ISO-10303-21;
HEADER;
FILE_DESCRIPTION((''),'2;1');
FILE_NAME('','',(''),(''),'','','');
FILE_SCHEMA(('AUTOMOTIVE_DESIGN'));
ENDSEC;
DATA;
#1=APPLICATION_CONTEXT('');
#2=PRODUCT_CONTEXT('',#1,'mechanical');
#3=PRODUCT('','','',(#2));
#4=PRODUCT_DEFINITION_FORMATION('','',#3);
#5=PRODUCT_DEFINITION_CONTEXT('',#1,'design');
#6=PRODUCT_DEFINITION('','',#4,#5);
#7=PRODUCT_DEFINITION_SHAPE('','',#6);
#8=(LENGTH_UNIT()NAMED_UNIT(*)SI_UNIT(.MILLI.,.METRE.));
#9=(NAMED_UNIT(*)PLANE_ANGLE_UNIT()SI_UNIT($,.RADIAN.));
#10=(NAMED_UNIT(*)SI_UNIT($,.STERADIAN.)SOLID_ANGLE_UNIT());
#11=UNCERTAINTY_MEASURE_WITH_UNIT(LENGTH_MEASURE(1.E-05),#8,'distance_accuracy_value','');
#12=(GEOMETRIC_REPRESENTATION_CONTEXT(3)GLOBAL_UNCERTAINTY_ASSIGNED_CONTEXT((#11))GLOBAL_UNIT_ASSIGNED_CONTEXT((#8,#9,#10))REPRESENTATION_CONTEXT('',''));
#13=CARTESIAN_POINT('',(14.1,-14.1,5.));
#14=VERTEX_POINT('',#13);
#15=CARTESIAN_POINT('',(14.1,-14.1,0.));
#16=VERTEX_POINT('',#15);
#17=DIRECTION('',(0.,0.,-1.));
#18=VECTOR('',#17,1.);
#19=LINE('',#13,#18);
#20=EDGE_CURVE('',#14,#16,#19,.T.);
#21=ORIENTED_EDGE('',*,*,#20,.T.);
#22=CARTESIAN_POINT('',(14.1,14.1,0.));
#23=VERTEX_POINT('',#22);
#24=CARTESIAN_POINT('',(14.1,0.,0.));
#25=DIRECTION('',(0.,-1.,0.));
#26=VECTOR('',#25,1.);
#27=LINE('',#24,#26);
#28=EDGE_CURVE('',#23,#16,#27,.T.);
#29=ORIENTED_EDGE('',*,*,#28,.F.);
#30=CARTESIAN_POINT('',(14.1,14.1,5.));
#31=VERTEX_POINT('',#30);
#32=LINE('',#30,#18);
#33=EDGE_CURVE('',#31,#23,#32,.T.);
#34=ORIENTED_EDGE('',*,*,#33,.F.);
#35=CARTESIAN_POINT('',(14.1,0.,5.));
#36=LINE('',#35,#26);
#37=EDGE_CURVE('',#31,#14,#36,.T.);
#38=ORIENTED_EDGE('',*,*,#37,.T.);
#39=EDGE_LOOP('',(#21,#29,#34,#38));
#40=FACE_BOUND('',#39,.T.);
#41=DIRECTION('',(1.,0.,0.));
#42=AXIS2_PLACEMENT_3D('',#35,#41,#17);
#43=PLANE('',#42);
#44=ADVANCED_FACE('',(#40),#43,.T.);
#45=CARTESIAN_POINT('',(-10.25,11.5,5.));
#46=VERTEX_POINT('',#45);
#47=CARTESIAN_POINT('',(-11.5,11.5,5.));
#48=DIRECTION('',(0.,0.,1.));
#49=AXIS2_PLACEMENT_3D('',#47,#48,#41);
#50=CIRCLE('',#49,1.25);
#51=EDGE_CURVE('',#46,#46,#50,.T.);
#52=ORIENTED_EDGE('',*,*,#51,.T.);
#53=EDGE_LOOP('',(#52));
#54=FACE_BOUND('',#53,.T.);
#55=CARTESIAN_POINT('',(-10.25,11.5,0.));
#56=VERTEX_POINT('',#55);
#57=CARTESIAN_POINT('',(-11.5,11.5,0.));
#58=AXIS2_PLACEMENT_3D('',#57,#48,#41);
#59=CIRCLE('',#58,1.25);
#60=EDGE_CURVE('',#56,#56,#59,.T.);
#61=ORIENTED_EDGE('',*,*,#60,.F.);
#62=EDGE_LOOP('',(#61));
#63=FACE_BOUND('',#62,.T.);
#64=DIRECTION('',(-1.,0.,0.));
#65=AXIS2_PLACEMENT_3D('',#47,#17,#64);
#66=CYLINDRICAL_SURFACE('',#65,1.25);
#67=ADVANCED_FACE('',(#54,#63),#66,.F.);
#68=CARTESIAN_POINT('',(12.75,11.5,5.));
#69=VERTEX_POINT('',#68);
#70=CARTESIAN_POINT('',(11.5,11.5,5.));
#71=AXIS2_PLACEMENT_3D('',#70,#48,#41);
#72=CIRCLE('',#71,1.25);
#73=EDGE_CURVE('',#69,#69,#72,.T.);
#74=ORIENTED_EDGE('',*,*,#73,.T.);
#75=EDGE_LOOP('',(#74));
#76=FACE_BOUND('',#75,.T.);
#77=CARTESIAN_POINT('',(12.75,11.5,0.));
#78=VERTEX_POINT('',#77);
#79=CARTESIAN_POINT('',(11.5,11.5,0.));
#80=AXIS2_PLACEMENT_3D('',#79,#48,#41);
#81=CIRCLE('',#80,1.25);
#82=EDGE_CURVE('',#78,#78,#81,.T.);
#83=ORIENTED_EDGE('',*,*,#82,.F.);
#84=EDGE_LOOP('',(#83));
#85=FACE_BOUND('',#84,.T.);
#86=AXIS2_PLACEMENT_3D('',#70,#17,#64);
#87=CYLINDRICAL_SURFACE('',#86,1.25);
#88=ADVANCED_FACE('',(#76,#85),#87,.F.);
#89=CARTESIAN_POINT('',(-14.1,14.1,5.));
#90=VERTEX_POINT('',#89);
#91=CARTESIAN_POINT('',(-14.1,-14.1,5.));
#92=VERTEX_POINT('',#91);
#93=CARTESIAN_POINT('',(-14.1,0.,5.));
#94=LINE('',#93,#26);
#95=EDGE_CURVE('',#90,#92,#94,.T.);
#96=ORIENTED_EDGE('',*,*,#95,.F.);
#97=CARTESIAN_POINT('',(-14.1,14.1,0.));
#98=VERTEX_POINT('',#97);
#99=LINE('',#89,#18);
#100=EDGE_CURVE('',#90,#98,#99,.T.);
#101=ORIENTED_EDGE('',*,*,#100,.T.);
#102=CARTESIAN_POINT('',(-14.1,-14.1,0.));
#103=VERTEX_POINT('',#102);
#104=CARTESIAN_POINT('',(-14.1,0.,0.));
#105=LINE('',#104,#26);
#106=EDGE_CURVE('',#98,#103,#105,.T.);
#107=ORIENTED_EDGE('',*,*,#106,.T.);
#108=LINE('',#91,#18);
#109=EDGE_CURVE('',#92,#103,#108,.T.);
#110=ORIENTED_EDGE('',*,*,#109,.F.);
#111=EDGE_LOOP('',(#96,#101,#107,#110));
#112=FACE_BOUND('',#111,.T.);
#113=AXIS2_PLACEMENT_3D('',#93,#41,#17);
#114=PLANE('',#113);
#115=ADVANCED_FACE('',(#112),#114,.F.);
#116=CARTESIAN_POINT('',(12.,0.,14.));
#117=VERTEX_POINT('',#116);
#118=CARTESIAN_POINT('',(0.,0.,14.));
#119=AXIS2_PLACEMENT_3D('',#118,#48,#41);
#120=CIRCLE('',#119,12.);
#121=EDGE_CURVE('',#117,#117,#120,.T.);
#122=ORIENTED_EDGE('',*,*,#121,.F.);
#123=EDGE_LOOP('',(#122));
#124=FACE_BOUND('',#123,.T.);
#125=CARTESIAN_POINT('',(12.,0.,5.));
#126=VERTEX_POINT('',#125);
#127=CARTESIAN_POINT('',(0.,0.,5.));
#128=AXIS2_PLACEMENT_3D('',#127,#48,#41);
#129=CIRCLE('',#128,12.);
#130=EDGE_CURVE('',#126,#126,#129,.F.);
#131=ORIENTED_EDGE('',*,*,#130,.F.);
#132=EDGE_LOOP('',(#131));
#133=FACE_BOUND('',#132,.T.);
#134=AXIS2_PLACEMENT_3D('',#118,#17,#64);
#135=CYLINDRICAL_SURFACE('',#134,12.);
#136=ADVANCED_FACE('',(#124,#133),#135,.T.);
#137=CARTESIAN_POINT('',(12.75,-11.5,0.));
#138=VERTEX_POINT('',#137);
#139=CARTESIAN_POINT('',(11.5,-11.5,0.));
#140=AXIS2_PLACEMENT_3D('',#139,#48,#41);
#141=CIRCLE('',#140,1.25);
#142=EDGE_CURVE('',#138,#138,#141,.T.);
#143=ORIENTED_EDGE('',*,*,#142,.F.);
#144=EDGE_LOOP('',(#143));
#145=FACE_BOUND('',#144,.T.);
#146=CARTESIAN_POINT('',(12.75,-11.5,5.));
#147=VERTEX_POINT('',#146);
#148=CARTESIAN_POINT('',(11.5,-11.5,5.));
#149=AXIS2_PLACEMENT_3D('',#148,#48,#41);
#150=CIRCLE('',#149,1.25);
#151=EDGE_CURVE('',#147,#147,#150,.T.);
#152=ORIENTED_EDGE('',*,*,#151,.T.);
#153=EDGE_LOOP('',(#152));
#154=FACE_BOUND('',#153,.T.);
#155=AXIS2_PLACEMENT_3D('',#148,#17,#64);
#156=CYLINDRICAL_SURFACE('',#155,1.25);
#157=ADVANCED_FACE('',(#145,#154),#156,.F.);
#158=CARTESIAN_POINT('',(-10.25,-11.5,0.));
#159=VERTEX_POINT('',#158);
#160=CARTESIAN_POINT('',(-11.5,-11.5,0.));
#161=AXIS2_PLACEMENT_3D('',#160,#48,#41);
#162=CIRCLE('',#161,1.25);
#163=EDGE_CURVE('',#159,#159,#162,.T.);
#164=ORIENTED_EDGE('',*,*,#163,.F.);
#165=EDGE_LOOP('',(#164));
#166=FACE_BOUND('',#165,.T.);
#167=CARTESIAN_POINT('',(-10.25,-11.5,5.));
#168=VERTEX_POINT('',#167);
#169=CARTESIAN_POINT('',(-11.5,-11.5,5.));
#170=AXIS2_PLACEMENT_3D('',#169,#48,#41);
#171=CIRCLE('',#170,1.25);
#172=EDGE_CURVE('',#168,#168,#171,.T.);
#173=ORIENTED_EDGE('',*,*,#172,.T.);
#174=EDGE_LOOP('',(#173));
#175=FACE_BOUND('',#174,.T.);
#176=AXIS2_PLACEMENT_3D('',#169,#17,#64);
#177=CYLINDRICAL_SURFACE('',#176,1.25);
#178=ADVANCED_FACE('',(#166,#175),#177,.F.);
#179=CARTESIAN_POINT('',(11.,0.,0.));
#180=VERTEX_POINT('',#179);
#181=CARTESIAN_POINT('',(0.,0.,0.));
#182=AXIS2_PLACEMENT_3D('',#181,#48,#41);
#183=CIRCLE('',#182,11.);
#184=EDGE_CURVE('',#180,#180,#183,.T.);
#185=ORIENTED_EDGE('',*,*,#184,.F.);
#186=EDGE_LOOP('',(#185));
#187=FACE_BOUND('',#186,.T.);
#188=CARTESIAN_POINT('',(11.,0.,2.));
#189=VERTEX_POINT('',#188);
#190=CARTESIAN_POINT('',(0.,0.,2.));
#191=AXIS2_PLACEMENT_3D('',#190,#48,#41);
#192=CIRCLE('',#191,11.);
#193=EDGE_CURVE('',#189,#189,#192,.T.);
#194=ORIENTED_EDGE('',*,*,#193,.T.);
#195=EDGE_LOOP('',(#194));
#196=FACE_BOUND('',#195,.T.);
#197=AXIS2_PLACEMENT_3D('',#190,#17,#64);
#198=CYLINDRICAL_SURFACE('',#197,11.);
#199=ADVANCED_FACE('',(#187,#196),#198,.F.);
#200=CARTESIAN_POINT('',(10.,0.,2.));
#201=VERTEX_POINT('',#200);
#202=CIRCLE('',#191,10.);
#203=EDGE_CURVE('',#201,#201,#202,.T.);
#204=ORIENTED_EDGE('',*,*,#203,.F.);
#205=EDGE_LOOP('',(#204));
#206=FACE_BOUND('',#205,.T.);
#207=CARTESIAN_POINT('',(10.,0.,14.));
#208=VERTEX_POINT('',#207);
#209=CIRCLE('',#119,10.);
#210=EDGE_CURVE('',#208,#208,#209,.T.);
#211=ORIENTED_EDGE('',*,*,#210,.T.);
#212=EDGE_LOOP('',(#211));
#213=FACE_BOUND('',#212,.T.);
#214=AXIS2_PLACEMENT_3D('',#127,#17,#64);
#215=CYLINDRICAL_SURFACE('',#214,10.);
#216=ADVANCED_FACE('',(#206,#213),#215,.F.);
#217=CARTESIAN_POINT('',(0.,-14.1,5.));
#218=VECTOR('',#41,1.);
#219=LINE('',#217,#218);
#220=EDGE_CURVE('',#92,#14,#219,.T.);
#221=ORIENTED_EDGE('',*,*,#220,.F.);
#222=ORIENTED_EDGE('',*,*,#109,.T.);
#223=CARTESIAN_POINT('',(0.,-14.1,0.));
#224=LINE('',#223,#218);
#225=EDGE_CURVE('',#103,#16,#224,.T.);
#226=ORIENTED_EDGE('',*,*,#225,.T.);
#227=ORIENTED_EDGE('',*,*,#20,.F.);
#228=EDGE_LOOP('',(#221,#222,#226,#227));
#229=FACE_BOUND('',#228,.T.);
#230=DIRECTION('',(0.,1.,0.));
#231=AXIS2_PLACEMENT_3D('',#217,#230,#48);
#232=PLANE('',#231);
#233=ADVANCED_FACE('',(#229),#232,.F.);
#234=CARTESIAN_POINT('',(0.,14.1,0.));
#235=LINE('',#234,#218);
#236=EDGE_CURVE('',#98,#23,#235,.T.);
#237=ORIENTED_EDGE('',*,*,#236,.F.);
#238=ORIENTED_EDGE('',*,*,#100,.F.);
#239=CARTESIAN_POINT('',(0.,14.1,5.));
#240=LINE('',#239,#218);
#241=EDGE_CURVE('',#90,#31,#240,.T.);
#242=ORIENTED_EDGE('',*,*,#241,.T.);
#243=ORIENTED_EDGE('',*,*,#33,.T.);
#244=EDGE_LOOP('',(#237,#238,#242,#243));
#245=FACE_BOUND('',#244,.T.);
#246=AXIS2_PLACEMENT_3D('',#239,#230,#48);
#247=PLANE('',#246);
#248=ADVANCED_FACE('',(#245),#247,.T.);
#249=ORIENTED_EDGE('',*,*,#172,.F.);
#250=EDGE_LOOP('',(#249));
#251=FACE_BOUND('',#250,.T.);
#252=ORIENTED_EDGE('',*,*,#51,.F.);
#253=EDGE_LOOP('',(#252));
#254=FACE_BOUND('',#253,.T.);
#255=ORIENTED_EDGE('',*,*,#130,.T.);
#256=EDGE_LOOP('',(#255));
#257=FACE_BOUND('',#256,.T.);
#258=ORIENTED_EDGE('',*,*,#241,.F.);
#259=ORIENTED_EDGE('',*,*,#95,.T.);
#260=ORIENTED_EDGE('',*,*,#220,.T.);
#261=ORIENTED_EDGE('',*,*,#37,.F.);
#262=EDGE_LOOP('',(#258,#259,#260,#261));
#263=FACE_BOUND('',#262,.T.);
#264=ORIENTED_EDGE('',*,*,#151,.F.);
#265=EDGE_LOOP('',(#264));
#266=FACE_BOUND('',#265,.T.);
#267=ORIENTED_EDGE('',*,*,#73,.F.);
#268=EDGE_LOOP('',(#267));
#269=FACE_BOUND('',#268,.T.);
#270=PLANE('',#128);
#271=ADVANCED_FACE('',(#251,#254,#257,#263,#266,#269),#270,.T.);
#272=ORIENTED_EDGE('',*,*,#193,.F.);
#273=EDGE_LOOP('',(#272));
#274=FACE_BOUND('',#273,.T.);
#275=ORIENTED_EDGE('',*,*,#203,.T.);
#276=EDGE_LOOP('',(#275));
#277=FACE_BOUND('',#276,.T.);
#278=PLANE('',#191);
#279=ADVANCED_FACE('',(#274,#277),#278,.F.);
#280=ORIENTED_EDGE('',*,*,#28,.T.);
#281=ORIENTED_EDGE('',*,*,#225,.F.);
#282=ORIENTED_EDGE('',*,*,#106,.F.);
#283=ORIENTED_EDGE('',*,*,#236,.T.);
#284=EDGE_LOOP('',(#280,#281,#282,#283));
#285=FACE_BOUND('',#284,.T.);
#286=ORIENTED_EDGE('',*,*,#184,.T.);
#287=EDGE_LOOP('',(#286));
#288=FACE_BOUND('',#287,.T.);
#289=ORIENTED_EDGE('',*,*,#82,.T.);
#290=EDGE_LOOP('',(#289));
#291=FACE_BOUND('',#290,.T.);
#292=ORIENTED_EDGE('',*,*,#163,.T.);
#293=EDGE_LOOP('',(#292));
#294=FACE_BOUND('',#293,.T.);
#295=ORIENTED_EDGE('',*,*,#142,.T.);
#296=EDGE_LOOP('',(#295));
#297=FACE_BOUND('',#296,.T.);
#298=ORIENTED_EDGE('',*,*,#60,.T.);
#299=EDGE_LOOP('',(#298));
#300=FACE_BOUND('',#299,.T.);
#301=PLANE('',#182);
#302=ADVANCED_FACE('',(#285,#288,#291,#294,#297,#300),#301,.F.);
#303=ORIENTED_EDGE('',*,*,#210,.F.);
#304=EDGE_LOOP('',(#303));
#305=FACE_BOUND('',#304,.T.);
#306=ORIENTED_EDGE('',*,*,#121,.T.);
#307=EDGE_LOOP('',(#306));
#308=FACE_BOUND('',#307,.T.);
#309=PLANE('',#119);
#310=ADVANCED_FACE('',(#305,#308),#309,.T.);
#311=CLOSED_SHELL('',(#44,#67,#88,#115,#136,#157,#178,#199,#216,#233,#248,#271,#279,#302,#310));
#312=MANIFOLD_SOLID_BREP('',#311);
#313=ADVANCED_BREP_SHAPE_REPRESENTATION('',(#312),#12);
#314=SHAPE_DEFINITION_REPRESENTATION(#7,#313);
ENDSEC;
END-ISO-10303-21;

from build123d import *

# Parameters (mm, degrees)
SKETCH1_W           = 28.2
SKETCH1_H           = 28.2
SKETCH1_R           = 1.25
SKETCH1_R_2         = 10
BOSS_EXTRUDE1_DEPTH = 5
SKETCH1_3_R         = 12
SKETCH1_3_R_2       = 10
BOSS_EXTRUDE2_DEPTH = 14
SKETCH1_4_R         = 11
SKETCH1_4_R_2       = 10
CUT_EXTRUDE1_DEPTH  = 2


with BuildPart() as part:
    # Sketch1 → Boss-Extrude1 (new body)
    with BuildSketch(Plane.XY):
        Rectangle(SKETCH1_W, SKETCH1_H)
        with Locations((-11.5, -11.5)):
            Circle(SKETCH1_R, mode=Mode.SUBTRACT)
        with Locations((11.5, -11.5)):
            Circle(SKETCH1_R, mode=Mode.SUBTRACT)
        with Locations((-11.5, 11.5)):
            Circle(SKETCH1_R, mode=Mode.SUBTRACT)
        with Locations((11.5, 11.5)):
            Circle(SKETCH1_R, mode=Mode.SUBTRACT)
        Circle(SKETCH1_R_2, mode=Mode.SUBTRACT)
    extrude(amount=BOSS_EXTRUDE1_DEPTH)

    # Sketch1<3> → Boss-Extrude2 (add)
    with BuildSketch(Plane.XY):
        Circle(SKETCH1_3_R)
        Circle(SKETCH1_3_R_2, mode=Mode.SUBTRACT)
    extrude(amount=BOSS_EXTRUDE2_DEPTH)

    # Sketch1<4> → Cut-Extrude1 (cut)
    with BuildSketch(Plane.XY):
        Circle(SKETCH1_4_R)
        Circle(SKETCH1_4_R_2, mode=Mode.SUBTRACT)
    extrude(amount=CUT_EXTRUDE1_DEPTH, mode=Mode.SUBTRACT)


solid = part.part
